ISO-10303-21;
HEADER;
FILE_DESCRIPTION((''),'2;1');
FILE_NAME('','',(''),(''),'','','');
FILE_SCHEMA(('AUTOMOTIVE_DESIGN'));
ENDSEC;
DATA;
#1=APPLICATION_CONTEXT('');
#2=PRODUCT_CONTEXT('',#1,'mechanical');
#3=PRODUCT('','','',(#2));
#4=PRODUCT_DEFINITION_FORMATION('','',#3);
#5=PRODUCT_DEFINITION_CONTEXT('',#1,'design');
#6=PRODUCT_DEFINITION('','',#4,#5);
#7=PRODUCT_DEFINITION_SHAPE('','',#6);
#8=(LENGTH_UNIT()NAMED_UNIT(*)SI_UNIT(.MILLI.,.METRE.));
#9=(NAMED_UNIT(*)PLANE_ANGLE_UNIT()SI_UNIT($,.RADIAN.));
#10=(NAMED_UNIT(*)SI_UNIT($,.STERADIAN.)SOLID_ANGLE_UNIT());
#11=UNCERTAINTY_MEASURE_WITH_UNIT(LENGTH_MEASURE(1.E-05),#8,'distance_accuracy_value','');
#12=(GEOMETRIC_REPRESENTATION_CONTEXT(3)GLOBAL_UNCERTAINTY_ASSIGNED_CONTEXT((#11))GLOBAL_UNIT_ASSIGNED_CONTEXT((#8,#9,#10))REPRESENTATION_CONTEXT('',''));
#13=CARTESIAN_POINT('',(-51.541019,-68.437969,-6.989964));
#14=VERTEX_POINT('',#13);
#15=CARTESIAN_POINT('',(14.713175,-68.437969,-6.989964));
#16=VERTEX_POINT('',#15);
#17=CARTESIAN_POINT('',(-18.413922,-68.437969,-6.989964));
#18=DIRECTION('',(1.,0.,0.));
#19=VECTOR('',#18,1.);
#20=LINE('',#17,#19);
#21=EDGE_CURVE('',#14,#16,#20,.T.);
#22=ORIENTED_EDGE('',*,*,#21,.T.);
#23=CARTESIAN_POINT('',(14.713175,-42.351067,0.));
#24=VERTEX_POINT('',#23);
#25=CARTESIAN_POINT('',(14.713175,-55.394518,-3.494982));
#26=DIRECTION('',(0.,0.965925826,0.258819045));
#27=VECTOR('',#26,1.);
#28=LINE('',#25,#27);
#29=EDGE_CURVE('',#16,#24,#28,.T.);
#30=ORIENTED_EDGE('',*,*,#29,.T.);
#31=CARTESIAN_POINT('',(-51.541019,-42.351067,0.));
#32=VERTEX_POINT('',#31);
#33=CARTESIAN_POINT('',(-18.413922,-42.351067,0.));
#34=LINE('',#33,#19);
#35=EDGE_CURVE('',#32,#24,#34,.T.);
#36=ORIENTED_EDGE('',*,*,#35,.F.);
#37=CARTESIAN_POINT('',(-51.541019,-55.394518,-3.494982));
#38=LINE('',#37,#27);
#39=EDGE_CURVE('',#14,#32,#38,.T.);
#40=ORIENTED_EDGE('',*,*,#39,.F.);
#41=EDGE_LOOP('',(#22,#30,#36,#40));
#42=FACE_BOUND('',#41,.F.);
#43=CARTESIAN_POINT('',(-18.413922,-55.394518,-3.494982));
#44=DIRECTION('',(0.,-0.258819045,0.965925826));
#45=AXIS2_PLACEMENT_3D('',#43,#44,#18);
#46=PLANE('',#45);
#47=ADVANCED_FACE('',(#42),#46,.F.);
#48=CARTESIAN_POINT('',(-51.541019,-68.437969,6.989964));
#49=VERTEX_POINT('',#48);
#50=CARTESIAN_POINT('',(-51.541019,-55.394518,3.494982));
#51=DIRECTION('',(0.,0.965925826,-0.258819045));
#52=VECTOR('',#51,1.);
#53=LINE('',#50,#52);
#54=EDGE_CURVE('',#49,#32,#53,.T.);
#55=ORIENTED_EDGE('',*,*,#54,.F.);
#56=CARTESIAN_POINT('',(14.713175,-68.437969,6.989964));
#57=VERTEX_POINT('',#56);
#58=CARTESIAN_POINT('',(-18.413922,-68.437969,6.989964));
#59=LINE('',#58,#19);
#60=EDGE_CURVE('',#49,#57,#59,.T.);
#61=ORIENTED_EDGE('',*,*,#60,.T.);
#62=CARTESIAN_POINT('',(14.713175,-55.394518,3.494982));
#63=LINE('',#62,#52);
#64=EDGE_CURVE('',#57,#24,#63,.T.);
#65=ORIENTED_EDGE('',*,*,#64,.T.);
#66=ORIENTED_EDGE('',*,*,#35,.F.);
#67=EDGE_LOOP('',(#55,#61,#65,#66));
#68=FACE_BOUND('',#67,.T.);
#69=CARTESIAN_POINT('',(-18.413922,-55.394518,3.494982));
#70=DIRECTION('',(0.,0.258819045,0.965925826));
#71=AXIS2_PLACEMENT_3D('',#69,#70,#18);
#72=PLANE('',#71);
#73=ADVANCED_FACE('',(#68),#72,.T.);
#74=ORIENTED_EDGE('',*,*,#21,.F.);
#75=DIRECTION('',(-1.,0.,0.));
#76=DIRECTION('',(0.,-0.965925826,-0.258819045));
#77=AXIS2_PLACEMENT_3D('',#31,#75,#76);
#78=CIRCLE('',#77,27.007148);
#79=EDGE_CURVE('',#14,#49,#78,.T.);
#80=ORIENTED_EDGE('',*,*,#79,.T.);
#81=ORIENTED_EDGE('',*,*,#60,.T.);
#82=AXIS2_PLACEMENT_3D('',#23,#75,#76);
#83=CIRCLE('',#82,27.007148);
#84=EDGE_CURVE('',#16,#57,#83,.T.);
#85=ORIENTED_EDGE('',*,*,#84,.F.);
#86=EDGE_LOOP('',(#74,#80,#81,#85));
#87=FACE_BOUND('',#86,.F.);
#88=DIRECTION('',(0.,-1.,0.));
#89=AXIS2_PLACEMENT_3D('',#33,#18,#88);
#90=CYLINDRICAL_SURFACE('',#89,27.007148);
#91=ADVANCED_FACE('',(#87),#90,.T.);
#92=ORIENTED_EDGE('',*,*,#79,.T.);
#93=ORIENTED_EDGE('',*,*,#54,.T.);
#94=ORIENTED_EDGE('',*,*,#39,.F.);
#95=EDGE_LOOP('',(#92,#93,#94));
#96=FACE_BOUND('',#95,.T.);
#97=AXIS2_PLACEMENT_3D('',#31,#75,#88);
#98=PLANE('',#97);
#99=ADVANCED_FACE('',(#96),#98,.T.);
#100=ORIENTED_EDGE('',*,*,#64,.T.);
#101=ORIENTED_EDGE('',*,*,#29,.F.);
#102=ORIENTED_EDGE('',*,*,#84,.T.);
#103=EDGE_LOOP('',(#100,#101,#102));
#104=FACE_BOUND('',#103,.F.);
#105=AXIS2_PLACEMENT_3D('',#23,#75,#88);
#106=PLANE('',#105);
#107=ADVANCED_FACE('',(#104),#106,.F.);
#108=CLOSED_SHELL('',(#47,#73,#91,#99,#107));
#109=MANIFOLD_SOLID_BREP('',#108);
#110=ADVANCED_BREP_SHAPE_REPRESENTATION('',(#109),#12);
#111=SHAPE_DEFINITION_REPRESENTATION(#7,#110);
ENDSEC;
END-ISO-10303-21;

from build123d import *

# Parameters (mm, degrees)
F0_W     = 66.254194
F0_H     = 27.007148
F1_ANGLE = 30


with BuildPart() as f1:
    # F0 (on Top) → F1 (revolve, symmetric)
    with BuildSketch(Plane.XY) as f1_sk:
        with Locations((-18.413922, -55.854641)):
            Rectangle(F0_W, F0_H)
    revolve(axis=Axis((-18.413922, -42.351067, 0), (1, 0, 0)), revolution_arc=F1_ANGLE / 2)
    revolve(f1_sk.sketch, axis=Axis((-18.413922, -42.351067, 0), (-1, 0, 0)), revolution_arc=F1_ANGLE / 2)


solid = f1.part
